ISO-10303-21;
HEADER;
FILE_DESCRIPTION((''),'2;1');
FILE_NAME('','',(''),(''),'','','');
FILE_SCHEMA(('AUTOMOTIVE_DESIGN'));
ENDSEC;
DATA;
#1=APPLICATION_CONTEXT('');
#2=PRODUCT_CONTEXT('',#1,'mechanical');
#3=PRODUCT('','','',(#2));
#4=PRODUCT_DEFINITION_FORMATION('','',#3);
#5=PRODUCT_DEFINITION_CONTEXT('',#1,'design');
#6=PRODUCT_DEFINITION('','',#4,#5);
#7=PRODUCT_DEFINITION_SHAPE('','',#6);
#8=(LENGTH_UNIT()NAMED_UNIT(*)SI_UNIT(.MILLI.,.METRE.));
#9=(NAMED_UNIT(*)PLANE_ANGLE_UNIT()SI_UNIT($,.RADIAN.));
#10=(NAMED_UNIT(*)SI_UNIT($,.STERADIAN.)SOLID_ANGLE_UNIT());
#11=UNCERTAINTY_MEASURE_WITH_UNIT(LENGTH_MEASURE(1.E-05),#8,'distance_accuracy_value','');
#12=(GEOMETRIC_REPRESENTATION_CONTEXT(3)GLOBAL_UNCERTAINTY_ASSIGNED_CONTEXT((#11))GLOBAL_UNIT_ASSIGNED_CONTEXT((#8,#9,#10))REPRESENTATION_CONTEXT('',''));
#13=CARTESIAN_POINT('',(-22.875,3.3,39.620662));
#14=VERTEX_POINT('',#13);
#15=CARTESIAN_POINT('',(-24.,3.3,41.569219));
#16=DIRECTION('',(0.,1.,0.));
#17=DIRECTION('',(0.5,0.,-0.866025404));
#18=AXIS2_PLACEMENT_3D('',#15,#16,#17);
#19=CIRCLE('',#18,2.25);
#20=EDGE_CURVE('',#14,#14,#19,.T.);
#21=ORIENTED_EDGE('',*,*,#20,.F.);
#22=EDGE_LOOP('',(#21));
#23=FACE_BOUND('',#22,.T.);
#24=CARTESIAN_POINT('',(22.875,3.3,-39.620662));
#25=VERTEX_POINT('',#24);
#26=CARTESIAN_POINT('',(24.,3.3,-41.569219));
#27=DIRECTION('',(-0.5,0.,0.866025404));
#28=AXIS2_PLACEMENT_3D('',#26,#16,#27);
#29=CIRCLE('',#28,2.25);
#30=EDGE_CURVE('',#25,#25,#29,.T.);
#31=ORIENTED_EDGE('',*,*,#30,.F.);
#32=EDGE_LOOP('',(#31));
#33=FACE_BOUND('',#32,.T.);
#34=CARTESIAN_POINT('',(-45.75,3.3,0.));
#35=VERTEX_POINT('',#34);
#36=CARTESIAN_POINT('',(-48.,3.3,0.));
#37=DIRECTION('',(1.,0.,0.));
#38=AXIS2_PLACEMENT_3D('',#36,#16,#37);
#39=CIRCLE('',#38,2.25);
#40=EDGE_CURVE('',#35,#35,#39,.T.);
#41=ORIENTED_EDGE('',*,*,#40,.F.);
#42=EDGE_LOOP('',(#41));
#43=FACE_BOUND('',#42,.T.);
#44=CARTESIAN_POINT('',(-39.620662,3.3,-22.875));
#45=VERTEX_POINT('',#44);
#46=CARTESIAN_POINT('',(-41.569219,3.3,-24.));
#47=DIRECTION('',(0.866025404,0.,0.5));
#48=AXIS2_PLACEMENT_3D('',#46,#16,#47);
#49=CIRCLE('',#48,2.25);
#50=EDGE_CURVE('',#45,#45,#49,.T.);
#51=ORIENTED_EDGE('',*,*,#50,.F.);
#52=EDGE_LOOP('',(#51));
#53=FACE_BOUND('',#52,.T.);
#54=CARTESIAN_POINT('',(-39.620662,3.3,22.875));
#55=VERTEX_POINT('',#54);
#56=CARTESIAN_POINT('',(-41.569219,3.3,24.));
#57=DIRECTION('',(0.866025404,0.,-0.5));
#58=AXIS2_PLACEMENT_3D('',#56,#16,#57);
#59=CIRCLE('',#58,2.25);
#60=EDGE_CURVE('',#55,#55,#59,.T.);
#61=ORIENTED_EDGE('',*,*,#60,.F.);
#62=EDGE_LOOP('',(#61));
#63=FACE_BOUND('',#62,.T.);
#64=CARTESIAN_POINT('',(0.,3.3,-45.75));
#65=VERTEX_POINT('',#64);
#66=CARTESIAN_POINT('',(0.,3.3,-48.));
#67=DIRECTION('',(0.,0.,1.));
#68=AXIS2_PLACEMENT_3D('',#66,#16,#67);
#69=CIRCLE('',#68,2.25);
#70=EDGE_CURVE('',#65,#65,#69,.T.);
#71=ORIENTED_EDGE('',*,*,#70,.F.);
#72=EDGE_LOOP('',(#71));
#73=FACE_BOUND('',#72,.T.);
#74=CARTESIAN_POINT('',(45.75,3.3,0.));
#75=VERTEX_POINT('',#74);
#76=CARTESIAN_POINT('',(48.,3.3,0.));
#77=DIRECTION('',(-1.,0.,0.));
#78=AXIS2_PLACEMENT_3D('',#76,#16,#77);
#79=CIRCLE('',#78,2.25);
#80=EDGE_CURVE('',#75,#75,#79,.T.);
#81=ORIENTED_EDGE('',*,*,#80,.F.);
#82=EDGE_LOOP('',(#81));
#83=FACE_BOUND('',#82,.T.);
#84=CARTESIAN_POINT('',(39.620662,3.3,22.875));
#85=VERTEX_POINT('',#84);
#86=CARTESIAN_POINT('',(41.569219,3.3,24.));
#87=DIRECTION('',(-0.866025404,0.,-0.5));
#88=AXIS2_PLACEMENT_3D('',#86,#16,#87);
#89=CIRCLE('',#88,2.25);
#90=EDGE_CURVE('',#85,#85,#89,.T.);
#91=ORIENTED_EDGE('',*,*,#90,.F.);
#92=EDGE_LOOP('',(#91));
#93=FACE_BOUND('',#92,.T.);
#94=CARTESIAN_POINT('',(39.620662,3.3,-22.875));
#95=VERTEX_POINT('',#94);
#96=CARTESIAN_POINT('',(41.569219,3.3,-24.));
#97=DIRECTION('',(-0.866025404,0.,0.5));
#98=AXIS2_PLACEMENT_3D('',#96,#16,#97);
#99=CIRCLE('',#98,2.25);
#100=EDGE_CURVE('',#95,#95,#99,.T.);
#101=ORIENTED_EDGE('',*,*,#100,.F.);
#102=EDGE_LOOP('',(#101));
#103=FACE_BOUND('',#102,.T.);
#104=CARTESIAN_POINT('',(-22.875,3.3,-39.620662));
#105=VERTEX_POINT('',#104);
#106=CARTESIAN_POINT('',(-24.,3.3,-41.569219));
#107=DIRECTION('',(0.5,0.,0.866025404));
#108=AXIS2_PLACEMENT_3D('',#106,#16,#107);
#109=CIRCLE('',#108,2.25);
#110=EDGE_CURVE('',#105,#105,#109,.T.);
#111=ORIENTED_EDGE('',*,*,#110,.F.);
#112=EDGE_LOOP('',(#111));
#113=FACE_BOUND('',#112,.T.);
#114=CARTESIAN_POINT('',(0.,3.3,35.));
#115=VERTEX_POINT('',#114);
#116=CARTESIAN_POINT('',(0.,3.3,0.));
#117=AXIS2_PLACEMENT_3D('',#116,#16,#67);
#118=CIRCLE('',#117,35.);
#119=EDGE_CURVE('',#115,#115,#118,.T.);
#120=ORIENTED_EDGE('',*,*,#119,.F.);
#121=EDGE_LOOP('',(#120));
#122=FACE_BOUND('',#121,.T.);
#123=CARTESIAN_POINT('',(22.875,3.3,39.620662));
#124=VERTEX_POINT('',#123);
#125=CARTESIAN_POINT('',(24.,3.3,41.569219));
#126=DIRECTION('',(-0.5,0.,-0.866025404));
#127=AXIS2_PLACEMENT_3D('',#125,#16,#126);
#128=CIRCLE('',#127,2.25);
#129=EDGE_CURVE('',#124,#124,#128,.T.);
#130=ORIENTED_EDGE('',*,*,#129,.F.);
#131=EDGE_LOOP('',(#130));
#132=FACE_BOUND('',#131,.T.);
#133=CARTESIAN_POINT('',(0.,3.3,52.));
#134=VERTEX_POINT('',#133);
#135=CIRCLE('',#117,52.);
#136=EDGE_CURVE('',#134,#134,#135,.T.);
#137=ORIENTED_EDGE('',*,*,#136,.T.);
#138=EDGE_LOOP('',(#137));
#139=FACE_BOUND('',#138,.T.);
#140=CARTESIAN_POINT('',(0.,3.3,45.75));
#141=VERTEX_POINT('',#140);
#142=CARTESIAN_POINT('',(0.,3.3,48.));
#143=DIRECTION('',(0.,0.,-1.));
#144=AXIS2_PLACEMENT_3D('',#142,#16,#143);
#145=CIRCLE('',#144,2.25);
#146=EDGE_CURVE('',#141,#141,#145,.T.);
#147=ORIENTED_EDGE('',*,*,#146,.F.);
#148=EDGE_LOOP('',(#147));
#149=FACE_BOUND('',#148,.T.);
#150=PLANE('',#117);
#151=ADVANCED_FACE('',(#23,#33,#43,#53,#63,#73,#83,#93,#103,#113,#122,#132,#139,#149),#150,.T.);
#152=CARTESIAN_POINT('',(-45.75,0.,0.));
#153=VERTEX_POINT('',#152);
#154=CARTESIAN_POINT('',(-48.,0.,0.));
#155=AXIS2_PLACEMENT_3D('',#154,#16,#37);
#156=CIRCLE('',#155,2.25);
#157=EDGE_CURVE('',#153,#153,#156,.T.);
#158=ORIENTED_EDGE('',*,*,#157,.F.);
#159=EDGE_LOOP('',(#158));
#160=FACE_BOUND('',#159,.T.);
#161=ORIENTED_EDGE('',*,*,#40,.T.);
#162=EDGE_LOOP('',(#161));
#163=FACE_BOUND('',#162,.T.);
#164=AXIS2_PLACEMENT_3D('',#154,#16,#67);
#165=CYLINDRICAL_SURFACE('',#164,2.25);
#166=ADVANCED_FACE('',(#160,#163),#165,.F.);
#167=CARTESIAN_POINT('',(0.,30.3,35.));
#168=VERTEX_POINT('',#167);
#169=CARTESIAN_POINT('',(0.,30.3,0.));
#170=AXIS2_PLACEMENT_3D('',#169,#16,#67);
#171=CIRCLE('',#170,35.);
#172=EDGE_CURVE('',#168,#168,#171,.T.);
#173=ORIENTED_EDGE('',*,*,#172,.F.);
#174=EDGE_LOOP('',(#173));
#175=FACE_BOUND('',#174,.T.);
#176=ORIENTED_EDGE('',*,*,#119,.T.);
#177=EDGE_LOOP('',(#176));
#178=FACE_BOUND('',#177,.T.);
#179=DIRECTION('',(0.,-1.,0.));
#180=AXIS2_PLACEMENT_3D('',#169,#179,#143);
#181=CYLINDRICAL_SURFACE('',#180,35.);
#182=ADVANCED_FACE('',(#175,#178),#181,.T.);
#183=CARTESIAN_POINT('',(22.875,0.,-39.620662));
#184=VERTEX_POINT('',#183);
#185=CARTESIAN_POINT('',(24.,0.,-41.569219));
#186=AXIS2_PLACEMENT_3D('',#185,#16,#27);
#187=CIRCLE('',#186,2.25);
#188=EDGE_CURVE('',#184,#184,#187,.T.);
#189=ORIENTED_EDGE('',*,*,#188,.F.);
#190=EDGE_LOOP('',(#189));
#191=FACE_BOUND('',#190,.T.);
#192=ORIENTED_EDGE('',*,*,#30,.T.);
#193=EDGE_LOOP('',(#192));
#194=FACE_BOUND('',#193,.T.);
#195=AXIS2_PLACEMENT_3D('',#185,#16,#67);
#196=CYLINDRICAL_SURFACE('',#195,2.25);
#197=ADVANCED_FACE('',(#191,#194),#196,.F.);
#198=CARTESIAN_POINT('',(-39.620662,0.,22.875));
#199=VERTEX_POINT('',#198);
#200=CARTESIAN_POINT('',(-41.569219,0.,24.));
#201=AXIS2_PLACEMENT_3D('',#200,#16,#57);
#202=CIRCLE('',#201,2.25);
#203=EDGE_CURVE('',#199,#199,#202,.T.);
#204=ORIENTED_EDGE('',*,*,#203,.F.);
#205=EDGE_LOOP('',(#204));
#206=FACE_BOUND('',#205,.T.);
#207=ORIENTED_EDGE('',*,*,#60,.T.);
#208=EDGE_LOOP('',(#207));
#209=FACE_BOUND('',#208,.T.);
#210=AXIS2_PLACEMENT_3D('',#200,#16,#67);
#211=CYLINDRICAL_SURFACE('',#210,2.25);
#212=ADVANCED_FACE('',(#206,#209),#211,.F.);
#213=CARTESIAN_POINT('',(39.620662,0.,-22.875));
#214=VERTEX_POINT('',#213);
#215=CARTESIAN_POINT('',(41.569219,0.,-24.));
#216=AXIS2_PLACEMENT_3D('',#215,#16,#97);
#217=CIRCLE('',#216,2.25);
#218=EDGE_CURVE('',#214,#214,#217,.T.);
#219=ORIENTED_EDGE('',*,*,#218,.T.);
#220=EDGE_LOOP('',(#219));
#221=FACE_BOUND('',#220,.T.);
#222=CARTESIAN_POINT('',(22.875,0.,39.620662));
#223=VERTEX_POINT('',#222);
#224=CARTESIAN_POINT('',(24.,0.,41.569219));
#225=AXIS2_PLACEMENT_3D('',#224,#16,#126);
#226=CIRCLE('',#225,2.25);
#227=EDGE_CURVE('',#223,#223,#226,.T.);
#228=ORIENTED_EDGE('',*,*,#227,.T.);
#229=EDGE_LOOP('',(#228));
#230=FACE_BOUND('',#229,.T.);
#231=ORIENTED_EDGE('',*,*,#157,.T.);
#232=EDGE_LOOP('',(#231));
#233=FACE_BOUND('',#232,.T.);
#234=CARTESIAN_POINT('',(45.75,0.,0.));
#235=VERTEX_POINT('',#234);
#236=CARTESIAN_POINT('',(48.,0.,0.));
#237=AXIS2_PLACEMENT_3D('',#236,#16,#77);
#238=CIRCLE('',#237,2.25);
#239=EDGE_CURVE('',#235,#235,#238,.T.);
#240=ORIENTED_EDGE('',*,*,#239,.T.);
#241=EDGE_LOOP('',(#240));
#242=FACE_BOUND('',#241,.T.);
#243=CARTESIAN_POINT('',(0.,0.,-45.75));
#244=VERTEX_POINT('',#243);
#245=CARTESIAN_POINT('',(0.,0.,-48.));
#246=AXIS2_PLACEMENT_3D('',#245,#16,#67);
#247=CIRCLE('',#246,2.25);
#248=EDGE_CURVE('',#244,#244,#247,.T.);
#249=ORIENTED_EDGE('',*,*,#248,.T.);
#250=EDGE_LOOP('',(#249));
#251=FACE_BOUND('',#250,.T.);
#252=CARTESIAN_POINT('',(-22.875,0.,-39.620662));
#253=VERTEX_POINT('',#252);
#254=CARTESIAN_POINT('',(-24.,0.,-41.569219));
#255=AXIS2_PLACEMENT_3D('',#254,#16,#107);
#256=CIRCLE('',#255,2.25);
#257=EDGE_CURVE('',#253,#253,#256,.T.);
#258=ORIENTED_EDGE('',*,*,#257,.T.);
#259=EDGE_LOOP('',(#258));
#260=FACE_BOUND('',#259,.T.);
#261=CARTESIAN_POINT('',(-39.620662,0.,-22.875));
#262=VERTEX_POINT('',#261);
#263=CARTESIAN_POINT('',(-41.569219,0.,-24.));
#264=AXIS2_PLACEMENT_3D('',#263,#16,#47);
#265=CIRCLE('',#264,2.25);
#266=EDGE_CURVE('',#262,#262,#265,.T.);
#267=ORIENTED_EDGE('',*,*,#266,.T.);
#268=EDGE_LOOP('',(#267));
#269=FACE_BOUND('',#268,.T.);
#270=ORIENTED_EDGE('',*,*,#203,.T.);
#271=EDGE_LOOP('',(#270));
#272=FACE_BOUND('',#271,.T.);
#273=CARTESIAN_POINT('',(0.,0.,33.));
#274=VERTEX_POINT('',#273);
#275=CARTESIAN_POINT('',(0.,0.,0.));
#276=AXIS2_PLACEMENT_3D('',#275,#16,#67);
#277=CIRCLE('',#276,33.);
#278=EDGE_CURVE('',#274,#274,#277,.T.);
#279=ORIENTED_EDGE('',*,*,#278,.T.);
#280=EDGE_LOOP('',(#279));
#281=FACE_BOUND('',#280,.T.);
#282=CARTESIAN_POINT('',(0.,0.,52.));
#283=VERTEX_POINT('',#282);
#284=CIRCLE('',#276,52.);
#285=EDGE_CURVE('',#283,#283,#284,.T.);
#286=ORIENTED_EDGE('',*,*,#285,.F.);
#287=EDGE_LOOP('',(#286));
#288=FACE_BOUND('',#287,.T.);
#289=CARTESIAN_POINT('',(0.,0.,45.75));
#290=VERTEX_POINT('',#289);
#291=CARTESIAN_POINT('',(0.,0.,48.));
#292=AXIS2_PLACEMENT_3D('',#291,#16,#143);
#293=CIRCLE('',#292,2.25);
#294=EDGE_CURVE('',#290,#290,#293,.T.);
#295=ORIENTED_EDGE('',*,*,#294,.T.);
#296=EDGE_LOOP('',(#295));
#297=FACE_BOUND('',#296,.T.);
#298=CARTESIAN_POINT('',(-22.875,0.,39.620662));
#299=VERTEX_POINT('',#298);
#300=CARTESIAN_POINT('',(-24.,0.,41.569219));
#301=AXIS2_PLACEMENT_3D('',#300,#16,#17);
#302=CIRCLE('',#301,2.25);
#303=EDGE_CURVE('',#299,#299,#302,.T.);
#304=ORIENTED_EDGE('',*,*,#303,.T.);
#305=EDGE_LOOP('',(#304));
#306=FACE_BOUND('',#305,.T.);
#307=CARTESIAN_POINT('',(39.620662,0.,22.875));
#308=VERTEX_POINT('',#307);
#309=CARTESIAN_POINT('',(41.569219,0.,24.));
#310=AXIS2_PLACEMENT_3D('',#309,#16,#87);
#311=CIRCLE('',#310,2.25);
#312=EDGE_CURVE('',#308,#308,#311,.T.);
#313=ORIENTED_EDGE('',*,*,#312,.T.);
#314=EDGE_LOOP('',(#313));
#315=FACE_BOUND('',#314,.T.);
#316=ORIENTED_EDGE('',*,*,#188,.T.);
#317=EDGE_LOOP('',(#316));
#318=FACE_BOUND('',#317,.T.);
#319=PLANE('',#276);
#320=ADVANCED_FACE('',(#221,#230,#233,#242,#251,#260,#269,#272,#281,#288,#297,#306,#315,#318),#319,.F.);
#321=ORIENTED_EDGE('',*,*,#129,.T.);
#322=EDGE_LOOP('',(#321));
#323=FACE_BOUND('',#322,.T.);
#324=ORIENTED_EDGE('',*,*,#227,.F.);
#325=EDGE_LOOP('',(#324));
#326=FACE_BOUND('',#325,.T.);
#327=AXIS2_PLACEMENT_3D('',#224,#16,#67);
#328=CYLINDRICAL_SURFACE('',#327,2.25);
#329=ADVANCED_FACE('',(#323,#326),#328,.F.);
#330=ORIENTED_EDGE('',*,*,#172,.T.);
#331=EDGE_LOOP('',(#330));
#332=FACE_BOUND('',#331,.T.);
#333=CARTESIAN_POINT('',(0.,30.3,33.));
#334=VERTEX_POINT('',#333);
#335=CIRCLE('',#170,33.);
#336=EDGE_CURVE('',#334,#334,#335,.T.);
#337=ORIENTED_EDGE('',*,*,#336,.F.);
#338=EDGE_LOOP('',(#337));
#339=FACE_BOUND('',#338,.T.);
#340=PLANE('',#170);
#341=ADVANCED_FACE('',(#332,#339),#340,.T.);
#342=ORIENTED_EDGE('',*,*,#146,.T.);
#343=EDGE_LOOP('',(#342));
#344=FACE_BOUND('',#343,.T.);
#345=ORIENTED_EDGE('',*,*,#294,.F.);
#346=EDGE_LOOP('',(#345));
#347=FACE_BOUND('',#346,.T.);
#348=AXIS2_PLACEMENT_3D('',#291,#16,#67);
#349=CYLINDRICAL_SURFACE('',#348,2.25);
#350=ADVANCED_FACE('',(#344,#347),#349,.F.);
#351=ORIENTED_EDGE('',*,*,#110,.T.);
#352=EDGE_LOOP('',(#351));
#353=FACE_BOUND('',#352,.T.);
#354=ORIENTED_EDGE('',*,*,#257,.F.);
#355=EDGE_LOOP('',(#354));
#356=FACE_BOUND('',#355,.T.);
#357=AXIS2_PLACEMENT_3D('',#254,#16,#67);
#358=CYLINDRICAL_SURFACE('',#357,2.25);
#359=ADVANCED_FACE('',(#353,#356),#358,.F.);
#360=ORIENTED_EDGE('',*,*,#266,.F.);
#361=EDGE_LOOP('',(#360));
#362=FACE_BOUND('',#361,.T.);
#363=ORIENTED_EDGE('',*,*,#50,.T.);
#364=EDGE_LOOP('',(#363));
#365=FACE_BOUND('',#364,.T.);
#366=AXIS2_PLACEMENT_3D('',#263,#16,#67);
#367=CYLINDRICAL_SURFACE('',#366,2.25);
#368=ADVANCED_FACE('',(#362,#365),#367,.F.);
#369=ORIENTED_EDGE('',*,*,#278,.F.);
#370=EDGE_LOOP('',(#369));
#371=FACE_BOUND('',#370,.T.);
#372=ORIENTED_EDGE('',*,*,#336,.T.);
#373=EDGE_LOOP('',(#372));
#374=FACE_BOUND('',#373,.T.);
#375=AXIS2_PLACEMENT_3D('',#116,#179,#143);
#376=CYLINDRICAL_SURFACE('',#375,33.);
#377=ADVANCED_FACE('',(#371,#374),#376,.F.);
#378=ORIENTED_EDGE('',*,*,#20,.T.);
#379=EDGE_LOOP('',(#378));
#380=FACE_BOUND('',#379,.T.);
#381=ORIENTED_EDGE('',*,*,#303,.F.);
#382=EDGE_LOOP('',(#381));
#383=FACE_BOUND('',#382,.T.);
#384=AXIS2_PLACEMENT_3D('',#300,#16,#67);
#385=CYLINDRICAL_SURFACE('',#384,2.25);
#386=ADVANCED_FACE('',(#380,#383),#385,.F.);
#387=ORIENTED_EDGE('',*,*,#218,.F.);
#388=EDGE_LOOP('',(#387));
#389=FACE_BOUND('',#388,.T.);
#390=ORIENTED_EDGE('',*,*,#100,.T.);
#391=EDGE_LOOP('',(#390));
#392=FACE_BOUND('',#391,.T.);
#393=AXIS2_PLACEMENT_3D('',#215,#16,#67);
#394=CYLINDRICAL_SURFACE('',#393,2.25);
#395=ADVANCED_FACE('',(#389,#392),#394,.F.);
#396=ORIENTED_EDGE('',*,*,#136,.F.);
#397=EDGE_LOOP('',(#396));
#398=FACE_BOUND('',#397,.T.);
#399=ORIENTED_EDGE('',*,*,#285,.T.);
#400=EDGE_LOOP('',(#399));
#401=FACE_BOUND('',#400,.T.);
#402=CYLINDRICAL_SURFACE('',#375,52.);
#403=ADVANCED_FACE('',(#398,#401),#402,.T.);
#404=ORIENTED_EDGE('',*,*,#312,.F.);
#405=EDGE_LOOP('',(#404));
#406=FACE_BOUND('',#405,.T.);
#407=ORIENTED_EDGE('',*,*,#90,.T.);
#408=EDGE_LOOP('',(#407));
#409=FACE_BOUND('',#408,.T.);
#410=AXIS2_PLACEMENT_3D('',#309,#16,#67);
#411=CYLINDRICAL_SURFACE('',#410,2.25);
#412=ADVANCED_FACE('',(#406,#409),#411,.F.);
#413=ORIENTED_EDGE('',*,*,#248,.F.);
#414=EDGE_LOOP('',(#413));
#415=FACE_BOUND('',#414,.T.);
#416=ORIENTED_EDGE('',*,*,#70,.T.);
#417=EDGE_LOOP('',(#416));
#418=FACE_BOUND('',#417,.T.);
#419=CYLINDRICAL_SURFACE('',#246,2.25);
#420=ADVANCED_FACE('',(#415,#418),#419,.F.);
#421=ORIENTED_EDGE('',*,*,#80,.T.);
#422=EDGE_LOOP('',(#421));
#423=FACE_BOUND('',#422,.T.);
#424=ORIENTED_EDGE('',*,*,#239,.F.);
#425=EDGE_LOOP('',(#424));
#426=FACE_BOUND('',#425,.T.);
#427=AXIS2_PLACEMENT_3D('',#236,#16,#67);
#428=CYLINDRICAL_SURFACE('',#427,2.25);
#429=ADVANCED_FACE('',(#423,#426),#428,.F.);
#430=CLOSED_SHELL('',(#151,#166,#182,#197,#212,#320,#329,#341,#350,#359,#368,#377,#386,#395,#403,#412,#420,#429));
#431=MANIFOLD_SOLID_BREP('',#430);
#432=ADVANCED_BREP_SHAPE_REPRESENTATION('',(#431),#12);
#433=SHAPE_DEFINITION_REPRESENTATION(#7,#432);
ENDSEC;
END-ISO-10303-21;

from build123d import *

# Parameters (mm, degrees)
SKETCH1_R           = 52
SKETCH1_R_2         = 33
BOSS_EXTRUDE1_DEPTH = 3.3
SKETCH2_R           = 35
SKETCH2_R_2         = 33
BOSS_EXTRUDE2_DEPTH = 27
SKETCH3_R           = 2.25
CUT_EXTRUDE1_DEPTH  = 4.3
CIRPATTERN1_COUNT   = 12


with BuildPart() as part:
    # Sketch1 → Boss-Extrude1 (new body)
    with BuildSketch(Plane(origin=(0, 0, 0), x_dir=(1, 0, 0), z_dir=(0, 1, 0))):
        Circle(SKETCH1_R)
        Circle(SKETCH1_R_2, mode=Mode.SUBTRACT)
    extrude(amount=BOSS_EXTRUDE1_DEPTH)

    # Sketch2 → Boss-Extrude2 (add)
    with BuildSketch(Plane(origin=(0, 3.3, 0), x_dir=(1, 0, 0), z_dir=(0, 1, 0))):
        Circle(SKETCH2_R)
        Circle(SKETCH2_R_2, mode=Mode.SUBTRACT)
    extrude(amount=BOSS_EXTRUDE2_DEPTH)

    # Sketch3 → Cut-Extrude1 (cut, through all)
    with BuildSketch(Plane(origin=(0, 3.3, 0), x_dir=(1, 0, 0), z_dir=(0, 1, 0))):
        with Locations((0, 48)):
            Circle(SKETCH3_R)
    cut_extrude1 = extrude(amount=-CUT_EXTRUDE1_DEPTH, mode=Mode.SUBTRACT)

    # CirPattern1: Cut-Extrude1 ×12 about axis
    cirpattern1_axis = Axis((0, 0, 0), (0, 1, 0))
    for i in range(1, CIRPATTERN1_COUNT):
        add(cut_extrude1.rotate(cirpattern1_axis, i * 360 / CIRPATTERN1_COUNT), mode=Mode.SUBTRACT)


solid = part.part
